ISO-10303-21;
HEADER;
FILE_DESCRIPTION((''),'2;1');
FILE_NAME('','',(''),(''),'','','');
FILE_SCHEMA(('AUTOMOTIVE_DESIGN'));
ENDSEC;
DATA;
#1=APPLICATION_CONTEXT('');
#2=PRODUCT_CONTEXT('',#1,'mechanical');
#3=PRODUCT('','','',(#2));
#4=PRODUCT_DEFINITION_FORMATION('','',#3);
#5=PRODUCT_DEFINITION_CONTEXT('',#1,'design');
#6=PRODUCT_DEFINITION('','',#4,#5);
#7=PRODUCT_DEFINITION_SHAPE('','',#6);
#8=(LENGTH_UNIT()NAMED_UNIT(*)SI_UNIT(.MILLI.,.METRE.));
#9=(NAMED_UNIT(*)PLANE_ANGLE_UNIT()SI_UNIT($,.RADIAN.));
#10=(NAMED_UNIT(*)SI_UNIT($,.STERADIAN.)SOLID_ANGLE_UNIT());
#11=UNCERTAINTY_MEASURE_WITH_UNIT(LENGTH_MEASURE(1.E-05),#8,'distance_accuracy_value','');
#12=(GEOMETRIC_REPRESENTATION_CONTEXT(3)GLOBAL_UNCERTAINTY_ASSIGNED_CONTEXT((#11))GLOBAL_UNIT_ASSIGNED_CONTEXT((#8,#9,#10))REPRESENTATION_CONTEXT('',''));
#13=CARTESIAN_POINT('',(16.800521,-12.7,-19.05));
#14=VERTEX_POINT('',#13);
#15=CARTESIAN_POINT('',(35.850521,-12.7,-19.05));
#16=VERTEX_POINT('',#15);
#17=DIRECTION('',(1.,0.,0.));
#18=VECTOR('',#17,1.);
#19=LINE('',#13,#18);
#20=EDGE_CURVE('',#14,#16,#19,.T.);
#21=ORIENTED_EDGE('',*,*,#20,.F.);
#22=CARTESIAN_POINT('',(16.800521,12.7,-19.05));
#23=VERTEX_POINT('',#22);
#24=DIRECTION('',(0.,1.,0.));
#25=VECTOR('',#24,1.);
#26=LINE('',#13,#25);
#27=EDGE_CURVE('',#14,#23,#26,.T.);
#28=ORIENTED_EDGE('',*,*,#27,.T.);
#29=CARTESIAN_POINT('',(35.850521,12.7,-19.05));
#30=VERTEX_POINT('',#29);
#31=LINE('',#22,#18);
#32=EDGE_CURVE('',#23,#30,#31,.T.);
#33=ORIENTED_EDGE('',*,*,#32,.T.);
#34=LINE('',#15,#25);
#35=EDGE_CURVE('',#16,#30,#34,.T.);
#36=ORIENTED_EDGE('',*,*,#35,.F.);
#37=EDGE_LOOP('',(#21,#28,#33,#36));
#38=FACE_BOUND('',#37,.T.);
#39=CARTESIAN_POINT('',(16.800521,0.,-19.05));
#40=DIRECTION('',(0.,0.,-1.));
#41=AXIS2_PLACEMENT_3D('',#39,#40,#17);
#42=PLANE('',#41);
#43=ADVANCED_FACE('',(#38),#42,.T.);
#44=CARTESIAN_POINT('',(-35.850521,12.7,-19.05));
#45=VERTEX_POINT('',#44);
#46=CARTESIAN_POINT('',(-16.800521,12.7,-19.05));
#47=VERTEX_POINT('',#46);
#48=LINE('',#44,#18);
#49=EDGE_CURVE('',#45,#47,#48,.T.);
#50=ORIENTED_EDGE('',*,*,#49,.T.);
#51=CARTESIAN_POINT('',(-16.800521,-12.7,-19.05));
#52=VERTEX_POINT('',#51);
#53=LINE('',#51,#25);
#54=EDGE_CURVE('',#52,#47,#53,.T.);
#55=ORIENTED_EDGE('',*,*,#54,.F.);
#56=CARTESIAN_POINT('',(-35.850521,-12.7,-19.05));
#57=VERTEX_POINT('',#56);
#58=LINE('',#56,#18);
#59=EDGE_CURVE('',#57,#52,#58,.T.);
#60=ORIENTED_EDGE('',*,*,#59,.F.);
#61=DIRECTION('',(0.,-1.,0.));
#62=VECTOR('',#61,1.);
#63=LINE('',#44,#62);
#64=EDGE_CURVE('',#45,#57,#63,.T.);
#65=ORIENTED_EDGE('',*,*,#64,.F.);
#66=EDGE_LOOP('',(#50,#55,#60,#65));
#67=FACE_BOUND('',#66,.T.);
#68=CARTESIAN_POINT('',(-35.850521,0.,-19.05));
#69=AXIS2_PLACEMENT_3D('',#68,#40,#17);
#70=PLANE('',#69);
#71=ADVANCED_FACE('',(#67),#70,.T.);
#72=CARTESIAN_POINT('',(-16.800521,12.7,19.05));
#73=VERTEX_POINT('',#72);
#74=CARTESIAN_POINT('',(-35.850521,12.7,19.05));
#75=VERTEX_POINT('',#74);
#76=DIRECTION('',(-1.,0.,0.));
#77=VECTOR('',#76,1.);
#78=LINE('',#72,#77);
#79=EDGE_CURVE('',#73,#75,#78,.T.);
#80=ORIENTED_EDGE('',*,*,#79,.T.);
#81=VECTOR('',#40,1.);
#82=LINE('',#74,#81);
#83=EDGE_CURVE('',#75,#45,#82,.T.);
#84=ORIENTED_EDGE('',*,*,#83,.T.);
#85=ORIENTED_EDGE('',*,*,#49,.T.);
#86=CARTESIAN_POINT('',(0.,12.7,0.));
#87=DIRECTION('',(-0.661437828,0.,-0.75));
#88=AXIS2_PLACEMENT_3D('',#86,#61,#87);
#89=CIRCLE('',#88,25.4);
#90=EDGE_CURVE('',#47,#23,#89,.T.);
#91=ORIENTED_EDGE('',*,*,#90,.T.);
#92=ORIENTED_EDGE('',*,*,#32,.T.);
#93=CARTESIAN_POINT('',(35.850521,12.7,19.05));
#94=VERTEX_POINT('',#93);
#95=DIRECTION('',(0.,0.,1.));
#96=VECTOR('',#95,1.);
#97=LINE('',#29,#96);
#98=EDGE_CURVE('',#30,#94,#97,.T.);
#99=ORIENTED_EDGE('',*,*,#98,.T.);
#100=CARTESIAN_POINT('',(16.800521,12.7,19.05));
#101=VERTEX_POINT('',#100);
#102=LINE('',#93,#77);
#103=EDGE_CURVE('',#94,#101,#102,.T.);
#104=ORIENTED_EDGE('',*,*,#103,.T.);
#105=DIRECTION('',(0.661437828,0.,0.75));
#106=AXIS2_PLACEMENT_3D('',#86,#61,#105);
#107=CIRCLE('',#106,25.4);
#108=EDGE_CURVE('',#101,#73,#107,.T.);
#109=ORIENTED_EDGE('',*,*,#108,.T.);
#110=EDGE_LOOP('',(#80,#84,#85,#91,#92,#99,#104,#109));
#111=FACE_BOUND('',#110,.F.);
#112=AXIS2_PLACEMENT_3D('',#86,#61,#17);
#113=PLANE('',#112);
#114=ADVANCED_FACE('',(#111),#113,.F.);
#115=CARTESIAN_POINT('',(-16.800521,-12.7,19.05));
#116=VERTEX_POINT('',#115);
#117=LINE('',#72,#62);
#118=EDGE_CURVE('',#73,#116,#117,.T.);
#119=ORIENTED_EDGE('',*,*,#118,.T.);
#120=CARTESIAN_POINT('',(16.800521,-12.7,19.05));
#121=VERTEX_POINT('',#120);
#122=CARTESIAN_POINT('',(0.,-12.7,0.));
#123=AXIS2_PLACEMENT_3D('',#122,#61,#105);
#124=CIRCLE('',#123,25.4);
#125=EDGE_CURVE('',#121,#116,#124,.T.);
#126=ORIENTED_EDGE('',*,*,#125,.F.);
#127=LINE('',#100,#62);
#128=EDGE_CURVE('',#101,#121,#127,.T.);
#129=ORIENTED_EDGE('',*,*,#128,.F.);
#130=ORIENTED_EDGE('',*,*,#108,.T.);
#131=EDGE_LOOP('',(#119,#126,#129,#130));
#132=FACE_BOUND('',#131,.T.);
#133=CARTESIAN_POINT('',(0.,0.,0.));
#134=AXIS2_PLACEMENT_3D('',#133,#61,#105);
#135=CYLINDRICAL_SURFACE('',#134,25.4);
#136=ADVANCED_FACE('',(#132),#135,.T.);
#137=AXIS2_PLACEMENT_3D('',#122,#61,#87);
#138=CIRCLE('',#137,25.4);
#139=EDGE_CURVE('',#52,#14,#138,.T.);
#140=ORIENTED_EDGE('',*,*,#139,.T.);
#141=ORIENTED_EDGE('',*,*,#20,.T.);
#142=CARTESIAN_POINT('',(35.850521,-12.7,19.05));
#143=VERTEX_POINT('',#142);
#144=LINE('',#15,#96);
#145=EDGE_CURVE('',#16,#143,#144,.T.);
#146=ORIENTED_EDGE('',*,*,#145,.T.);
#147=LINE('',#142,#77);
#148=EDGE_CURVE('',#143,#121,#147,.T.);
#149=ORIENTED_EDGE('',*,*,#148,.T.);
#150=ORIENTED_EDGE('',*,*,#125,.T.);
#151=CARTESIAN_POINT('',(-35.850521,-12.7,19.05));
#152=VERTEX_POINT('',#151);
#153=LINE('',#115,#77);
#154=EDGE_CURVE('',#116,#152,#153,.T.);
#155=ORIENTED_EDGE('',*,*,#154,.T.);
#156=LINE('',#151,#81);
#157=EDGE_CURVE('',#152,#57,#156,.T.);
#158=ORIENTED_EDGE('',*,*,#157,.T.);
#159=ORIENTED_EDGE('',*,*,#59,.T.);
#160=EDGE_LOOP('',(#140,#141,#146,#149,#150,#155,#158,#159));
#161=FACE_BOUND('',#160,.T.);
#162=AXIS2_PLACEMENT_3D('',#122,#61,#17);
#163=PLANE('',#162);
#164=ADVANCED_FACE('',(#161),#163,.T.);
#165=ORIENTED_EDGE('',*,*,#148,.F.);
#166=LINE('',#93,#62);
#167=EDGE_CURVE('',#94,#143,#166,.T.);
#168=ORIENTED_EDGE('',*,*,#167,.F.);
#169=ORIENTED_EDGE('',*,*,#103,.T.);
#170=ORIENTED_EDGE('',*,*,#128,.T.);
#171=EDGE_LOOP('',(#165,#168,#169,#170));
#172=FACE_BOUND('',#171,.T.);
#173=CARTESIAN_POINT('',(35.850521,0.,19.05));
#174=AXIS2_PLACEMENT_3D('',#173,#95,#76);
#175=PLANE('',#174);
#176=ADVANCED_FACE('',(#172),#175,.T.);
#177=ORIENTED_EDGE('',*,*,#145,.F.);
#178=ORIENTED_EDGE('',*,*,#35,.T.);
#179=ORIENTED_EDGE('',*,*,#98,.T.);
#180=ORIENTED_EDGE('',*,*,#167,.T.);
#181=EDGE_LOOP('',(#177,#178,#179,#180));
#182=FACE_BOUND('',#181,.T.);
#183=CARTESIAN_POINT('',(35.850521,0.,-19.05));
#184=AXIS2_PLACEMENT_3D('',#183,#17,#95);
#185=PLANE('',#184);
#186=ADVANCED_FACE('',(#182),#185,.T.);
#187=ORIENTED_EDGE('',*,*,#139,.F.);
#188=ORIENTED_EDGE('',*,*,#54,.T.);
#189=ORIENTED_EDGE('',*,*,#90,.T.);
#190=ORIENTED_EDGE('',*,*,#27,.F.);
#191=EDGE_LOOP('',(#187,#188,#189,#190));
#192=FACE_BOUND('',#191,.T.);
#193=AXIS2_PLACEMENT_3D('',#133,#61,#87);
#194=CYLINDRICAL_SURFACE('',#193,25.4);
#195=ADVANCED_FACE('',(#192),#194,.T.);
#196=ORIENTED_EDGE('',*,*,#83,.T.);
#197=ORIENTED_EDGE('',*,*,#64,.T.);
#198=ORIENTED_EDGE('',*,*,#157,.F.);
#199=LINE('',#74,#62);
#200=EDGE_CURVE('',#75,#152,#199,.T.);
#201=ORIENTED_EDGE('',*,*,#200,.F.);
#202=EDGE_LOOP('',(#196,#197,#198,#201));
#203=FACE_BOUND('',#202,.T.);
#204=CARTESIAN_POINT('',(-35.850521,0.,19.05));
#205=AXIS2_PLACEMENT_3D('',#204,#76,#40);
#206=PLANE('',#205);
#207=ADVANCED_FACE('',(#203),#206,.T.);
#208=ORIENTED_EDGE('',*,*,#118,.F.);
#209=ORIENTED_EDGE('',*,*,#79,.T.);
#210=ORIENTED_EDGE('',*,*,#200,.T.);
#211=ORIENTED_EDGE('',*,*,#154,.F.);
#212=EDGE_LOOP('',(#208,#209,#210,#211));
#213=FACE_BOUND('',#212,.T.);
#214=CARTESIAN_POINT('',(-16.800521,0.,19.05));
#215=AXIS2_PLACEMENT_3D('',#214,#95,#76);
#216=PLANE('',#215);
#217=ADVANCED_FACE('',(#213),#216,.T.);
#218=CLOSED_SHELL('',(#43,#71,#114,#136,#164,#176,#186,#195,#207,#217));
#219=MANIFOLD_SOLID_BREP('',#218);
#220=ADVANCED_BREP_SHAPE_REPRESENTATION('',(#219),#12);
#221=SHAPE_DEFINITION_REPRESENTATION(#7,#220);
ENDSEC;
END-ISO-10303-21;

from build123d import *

# Parameters (mm, degrees)
F1_DEPTH = 12.7


with BuildPart() as f1:
    # F0 (on Front) → F1 (new body, symmetric)
    with BuildSketch(Plane.XZ):
        with BuildLine():
            Line((35.8505208253, -19.05), (35.8505208253, 19.05))
            Line((35.8505208253, 19.05), (16.8005208253, 19.05))
            ThreePointArc((16.8005208253, 19.05), (0, 25.4), (-16.8005208253, 19.05))
            Line((-16.8005208253, 19.05), (-35.8505208253, 19.05))
            Line((-35.8505208253, 19.05), (-35.8505208253, -19.05))
            Line((-35.8505208253, -19.05), (-16.8005208253, -19.05))
            ThreePointArc((-16.8005208253, -19.05), (0, -25.4), (16.8005208253, -19.05))
            Line((16.8005208253, -19.05), (35.8505208253, -19.05))
        make_face()
    extrude(amount=F1_DEPTH, both=True)


solid = f1.part
